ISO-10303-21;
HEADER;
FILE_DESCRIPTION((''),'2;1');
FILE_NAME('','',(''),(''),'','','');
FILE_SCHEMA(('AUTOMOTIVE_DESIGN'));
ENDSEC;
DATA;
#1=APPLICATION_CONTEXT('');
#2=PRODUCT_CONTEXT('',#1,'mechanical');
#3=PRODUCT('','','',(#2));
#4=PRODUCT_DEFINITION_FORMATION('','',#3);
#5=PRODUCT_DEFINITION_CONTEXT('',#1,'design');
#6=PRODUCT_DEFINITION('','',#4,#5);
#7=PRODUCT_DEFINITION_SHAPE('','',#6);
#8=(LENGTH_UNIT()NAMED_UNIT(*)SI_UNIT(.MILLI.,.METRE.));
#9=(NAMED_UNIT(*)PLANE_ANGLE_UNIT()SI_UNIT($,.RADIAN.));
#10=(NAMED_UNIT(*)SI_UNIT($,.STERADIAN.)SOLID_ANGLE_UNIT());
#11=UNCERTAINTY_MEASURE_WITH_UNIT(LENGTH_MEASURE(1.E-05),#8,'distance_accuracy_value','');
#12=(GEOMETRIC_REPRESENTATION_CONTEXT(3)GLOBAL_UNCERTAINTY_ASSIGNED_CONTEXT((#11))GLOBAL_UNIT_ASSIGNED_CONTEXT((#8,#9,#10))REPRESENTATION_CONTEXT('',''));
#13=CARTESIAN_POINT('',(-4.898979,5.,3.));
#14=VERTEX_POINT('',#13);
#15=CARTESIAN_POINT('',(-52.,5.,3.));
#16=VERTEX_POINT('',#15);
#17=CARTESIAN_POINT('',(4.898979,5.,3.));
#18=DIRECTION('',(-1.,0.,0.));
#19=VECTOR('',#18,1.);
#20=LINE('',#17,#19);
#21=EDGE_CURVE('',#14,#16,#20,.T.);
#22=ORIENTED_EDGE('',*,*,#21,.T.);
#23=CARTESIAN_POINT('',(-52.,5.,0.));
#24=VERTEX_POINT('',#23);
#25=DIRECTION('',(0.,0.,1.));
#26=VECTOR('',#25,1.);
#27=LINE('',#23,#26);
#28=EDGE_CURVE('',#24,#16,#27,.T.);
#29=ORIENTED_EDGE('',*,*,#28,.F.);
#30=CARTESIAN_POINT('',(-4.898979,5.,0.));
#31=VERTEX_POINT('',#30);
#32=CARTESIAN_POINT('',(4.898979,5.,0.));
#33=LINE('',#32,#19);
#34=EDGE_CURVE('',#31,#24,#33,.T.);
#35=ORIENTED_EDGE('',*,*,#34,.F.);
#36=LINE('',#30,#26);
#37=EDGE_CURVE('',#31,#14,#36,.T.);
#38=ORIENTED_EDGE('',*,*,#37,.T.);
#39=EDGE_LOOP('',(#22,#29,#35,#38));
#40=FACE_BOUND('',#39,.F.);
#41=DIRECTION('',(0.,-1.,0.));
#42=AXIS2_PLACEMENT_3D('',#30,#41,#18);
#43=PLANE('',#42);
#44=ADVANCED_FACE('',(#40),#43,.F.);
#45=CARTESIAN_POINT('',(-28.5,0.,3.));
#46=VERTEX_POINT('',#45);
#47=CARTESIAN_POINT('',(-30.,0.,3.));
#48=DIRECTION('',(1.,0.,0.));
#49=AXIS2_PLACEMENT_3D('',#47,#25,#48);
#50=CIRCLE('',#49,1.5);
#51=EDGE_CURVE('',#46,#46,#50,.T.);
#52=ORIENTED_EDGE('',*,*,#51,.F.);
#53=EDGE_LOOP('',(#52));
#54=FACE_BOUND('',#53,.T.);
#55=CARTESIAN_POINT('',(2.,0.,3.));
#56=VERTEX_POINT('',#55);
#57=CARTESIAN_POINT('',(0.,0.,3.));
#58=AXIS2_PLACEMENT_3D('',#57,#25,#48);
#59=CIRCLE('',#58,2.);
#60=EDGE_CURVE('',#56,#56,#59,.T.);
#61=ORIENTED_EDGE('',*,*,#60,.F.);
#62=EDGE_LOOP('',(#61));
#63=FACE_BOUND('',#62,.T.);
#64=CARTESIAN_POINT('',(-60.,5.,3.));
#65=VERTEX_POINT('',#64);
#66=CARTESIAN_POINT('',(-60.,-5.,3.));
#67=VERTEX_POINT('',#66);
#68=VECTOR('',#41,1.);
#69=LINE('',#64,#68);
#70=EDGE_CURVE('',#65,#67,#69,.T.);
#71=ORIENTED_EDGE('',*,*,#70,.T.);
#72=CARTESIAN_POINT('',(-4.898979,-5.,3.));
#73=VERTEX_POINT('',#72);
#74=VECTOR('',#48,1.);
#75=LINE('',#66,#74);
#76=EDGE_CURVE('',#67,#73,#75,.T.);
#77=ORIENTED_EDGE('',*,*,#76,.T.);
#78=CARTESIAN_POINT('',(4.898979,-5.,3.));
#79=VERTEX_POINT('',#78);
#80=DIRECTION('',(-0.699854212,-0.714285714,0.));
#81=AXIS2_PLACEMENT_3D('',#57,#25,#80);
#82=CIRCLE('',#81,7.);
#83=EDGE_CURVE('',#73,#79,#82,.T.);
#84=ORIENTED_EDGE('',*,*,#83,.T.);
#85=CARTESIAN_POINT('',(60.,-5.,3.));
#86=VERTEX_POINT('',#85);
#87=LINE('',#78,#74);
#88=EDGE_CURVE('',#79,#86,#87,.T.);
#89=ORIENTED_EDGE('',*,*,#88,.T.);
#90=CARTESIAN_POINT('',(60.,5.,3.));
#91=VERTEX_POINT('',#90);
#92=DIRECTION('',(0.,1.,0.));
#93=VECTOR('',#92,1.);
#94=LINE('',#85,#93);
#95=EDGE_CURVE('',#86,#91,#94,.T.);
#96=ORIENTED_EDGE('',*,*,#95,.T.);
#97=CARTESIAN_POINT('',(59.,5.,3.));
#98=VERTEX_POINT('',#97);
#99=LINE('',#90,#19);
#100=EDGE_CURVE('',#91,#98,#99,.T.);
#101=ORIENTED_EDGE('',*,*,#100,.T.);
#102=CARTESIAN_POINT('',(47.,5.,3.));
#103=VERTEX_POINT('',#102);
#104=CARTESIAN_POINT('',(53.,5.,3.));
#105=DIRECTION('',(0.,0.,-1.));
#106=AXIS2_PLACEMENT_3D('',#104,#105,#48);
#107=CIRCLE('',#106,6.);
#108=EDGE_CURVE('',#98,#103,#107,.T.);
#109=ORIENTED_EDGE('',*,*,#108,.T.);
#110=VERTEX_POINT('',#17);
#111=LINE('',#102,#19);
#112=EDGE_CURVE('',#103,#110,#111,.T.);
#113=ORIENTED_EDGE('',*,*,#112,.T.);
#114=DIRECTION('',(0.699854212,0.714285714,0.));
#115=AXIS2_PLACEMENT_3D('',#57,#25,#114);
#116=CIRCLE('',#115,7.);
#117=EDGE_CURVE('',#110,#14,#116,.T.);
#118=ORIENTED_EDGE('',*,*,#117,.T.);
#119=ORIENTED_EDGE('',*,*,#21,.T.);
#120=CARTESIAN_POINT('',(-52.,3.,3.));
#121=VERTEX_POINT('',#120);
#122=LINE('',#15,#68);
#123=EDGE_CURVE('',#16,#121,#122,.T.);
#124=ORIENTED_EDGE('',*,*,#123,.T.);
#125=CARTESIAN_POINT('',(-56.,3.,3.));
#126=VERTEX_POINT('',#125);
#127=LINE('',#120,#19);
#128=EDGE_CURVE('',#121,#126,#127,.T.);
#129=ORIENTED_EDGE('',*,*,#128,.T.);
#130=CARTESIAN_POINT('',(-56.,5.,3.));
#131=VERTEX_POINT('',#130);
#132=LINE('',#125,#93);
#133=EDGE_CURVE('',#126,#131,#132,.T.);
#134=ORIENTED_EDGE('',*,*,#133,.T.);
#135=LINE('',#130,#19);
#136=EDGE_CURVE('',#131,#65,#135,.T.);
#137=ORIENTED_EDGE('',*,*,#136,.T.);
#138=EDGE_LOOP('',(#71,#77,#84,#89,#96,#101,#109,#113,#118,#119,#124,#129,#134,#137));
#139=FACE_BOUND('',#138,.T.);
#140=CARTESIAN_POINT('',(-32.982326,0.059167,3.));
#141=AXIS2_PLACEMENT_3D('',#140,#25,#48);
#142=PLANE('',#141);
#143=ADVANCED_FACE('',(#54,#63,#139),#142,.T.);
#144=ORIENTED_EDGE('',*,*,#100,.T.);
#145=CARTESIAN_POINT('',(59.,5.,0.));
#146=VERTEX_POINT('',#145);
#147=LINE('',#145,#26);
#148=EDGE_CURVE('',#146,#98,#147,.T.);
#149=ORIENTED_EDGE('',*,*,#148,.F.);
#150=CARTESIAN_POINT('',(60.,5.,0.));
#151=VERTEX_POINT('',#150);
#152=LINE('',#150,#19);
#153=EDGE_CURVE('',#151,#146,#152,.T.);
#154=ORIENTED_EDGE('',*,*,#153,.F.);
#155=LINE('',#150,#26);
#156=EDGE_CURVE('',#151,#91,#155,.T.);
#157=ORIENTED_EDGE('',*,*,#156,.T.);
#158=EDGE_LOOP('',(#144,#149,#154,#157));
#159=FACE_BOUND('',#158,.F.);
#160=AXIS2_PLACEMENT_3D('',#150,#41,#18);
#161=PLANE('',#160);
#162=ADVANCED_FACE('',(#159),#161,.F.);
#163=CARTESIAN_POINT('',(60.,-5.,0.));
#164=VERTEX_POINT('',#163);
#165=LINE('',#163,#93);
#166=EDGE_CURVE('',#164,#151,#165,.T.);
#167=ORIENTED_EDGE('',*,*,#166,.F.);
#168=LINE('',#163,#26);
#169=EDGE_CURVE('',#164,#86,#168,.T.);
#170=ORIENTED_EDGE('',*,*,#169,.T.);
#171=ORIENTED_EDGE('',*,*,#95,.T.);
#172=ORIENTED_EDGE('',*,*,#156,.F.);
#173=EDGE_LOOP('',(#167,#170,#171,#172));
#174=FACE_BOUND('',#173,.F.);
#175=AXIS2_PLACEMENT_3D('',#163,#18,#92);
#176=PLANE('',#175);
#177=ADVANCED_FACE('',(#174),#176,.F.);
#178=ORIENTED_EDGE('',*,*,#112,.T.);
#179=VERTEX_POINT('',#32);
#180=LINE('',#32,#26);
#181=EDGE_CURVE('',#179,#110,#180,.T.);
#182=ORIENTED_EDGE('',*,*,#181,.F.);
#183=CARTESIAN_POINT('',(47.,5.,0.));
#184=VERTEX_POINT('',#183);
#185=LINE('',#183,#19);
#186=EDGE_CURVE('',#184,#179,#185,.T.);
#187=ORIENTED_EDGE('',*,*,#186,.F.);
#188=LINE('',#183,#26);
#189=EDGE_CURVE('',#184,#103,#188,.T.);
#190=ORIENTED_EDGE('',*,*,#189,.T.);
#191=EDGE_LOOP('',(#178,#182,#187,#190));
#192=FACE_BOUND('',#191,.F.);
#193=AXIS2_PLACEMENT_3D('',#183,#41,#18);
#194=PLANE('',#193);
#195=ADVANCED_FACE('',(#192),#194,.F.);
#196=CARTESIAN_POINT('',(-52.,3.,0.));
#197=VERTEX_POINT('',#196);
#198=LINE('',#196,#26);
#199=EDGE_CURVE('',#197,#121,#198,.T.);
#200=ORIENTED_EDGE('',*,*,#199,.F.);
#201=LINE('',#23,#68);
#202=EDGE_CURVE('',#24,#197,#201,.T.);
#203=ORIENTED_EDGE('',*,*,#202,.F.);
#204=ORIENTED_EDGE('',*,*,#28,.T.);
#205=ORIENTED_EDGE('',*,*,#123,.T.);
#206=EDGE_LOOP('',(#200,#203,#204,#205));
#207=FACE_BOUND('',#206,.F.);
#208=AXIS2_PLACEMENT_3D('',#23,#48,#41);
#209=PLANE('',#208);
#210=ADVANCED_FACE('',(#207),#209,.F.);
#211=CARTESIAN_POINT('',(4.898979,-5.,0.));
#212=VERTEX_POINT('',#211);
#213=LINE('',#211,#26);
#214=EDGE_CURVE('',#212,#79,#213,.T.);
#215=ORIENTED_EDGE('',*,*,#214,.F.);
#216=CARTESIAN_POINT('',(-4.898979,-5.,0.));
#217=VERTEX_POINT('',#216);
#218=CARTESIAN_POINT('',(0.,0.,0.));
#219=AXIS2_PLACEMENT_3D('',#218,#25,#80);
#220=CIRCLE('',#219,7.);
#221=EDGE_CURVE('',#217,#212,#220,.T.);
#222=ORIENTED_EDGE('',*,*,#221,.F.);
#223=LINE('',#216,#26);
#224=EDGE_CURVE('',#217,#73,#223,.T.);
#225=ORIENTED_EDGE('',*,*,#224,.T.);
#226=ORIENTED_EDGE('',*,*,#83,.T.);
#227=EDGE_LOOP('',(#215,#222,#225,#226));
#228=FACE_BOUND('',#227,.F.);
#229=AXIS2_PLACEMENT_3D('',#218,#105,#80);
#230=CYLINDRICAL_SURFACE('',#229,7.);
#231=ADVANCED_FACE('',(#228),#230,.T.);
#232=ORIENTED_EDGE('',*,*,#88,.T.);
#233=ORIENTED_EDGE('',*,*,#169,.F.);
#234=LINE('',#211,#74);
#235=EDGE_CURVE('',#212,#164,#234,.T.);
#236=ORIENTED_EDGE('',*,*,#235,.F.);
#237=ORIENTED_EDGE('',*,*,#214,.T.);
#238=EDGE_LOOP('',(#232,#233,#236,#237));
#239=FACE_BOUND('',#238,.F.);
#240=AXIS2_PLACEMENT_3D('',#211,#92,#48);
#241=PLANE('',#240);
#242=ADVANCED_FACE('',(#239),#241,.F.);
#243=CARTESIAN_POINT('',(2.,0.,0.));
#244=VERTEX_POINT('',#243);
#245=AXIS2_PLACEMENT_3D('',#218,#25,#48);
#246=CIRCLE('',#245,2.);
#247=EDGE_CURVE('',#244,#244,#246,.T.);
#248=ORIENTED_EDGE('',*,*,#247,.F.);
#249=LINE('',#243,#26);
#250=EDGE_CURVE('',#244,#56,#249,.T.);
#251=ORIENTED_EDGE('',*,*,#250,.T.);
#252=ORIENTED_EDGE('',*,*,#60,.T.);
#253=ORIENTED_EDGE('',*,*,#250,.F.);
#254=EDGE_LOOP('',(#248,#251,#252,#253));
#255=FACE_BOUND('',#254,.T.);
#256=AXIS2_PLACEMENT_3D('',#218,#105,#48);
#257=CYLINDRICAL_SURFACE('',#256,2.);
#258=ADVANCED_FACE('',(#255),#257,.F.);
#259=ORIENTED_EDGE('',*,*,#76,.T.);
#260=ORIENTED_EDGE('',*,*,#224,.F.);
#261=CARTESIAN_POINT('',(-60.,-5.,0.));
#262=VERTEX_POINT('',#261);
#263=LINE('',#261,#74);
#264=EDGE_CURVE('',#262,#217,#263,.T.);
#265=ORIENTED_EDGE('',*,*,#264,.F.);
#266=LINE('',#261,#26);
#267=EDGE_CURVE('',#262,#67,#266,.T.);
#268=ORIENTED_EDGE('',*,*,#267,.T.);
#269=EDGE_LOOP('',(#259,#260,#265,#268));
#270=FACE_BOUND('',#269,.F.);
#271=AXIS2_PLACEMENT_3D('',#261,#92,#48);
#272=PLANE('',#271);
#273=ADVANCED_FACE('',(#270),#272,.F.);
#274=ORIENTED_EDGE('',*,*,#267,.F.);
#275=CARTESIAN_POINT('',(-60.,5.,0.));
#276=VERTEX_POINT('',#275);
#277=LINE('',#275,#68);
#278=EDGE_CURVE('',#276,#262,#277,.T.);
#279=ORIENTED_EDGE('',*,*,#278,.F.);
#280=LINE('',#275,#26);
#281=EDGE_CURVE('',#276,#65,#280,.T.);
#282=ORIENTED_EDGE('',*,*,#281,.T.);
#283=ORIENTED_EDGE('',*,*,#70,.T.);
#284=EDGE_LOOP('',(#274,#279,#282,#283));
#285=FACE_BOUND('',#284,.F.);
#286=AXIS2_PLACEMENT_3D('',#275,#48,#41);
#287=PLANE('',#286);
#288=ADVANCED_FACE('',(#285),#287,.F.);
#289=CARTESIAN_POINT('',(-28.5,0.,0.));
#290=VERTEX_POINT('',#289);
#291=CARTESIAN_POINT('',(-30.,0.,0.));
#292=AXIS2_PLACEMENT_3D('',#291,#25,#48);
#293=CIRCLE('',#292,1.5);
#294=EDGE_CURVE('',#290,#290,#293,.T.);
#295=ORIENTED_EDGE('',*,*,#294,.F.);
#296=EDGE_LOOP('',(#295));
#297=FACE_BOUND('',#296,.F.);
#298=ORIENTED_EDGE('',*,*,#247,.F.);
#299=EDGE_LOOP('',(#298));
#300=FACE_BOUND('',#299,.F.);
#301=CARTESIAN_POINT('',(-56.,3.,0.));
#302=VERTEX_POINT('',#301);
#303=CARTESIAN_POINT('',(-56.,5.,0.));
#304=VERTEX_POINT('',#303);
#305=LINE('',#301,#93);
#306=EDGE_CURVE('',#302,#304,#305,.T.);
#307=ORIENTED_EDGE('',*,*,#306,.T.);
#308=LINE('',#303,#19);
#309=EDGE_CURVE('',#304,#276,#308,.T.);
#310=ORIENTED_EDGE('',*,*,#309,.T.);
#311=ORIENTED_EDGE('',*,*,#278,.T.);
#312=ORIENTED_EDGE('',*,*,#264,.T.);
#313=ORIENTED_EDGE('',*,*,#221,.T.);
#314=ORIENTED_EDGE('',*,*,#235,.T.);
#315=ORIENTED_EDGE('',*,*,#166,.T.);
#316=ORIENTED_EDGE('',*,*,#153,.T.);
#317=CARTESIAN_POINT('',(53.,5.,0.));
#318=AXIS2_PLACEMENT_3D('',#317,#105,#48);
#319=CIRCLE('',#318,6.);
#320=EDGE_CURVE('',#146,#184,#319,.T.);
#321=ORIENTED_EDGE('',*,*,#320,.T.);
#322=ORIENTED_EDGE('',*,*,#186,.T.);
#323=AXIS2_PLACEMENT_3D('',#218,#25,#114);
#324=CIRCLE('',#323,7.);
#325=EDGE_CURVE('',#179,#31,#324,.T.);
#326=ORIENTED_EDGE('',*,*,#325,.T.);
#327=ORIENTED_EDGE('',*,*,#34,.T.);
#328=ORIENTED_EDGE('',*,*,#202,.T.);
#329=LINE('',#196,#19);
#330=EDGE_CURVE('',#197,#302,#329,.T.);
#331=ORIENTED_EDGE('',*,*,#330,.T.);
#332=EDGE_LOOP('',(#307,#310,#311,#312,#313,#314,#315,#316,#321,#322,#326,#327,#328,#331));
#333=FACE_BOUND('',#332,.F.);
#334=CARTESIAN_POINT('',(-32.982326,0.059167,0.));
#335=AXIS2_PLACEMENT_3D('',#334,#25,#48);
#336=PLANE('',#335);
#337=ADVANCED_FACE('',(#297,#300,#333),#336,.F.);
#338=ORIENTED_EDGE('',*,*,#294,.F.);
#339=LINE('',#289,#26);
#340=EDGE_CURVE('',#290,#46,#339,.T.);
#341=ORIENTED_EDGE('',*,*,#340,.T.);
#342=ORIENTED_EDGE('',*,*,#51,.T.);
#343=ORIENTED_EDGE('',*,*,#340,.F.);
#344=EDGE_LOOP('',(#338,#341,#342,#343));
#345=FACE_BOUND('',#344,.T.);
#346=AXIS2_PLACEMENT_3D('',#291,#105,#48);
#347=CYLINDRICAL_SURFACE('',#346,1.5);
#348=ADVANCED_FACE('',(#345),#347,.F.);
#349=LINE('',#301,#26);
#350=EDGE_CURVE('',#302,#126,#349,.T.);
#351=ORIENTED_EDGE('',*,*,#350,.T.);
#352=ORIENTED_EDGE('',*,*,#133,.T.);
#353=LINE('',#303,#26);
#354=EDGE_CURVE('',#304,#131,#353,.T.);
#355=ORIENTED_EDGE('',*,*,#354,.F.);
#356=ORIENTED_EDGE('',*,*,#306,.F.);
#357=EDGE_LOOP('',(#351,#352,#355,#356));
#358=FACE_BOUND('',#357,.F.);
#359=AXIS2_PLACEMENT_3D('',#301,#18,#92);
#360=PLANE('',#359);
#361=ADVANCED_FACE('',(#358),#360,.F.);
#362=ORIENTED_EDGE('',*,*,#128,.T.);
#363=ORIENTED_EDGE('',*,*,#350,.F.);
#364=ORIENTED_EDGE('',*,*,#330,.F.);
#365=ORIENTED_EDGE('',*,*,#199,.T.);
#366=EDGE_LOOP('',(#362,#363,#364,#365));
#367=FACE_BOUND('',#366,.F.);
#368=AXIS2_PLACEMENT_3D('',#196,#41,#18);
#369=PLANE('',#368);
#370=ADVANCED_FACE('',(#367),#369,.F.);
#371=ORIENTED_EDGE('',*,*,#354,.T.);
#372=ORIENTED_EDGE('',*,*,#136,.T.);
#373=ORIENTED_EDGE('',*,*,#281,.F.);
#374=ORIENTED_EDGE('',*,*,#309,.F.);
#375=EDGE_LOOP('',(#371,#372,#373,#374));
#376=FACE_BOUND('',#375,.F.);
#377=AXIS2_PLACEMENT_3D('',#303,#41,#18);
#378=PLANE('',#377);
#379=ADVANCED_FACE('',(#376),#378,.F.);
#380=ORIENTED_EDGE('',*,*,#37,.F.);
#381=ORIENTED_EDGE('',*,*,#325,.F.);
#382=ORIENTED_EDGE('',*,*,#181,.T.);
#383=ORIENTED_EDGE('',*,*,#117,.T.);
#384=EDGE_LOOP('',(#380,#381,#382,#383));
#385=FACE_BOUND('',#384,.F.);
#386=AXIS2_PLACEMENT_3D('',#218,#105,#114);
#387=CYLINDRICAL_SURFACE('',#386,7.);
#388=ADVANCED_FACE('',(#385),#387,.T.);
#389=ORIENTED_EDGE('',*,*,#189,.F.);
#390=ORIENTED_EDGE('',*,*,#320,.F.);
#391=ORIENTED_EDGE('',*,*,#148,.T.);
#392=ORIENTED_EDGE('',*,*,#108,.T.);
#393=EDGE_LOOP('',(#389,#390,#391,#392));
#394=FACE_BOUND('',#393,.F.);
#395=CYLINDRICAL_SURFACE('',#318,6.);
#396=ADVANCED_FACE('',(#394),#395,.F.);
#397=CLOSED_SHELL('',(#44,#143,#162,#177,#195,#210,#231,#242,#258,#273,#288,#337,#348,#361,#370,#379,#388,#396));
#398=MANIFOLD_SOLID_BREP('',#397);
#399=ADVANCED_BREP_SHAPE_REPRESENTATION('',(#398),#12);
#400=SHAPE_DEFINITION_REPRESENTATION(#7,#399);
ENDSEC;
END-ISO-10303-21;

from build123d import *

# Parameters (mm, degrees)
F0_R     = 1.5
F0_R_2   = 2
F1_DEPTH = 3


with BuildPart() as f1:
    # F0 (on Top) → F1 (new body)
    with BuildSketch(Plane.XY):
        with BuildLine():
            Line((-56, 5), (-60, 5))
            Line((-60, 5), (-60, -5))
            Line((-60, -5), (-4.8989794856, -5))
            ThreePointArc((-4.8989794856, -5), (-7, 0), (-4.8989794856, 5))
            Line((-4.8989794856, 5), (-52, 5))
            Line((-52, 5), (-52, 3))
            Line((-52, 3), (-56, 3))
            Line((-56, 3), (-56, 5))
        make_face()
        with Locations((-30, 0)):
            Circle(F0_R, mode=Mode.SUBTRACT)
        with BuildLine():
            ThreePointArc((-4.8989794856, 5), (-7, 0), (-4.8989794856, -5))
            Line((-4.8989794856, -5), (4.8989794856, -5))
            ThreePointArc((4.8989794856, -5), (6.4534043883, -2.7117470016), (7, 0))
            ThreePointArc((7, 0), (6.4534043883, 2.7117470016), (4.8989794856, 5))
            Line((4.8989794856, 5), (-4.8989794856, 5))
        make_face()
        Circle(F0_R_2, mode=Mode.SUBTRACT)
        with BuildLine():
            Line((4.8989794856, -5), (-4.8989794856, -5))
            ThreePointArc((-4.8989794856, -5), (0, -7), (4.8989794856, -5))
        make_face()
        with BuildLine():
            ThreePointArc((4.8989794856, 5), (0, 7), (-4.8989794856, 5))
            Line((-4.8989794856, 5), (4.8989794856, 5))
        make_face()
        with BuildLine():
            ThreePointArc((7, 0), (6.4534043883, -2.7117470016), (4.8989794856, -5))
            Line((4.8989794856, -5), (60, -5))
            Line((60, -5), (60, 5))
            Line((60, 5), (59, 5))
            ThreePointArc((59, 5), (53, -1), (47, 5))
            Line((47, 5), (4.8989794856, 5))
            ThreePointArc((4.8989794856, 5), (6.4534043883, 2.7117470016), (7, 0))
        make_face()
    extrude(amount=F1_DEPTH)


solid = f1.part
